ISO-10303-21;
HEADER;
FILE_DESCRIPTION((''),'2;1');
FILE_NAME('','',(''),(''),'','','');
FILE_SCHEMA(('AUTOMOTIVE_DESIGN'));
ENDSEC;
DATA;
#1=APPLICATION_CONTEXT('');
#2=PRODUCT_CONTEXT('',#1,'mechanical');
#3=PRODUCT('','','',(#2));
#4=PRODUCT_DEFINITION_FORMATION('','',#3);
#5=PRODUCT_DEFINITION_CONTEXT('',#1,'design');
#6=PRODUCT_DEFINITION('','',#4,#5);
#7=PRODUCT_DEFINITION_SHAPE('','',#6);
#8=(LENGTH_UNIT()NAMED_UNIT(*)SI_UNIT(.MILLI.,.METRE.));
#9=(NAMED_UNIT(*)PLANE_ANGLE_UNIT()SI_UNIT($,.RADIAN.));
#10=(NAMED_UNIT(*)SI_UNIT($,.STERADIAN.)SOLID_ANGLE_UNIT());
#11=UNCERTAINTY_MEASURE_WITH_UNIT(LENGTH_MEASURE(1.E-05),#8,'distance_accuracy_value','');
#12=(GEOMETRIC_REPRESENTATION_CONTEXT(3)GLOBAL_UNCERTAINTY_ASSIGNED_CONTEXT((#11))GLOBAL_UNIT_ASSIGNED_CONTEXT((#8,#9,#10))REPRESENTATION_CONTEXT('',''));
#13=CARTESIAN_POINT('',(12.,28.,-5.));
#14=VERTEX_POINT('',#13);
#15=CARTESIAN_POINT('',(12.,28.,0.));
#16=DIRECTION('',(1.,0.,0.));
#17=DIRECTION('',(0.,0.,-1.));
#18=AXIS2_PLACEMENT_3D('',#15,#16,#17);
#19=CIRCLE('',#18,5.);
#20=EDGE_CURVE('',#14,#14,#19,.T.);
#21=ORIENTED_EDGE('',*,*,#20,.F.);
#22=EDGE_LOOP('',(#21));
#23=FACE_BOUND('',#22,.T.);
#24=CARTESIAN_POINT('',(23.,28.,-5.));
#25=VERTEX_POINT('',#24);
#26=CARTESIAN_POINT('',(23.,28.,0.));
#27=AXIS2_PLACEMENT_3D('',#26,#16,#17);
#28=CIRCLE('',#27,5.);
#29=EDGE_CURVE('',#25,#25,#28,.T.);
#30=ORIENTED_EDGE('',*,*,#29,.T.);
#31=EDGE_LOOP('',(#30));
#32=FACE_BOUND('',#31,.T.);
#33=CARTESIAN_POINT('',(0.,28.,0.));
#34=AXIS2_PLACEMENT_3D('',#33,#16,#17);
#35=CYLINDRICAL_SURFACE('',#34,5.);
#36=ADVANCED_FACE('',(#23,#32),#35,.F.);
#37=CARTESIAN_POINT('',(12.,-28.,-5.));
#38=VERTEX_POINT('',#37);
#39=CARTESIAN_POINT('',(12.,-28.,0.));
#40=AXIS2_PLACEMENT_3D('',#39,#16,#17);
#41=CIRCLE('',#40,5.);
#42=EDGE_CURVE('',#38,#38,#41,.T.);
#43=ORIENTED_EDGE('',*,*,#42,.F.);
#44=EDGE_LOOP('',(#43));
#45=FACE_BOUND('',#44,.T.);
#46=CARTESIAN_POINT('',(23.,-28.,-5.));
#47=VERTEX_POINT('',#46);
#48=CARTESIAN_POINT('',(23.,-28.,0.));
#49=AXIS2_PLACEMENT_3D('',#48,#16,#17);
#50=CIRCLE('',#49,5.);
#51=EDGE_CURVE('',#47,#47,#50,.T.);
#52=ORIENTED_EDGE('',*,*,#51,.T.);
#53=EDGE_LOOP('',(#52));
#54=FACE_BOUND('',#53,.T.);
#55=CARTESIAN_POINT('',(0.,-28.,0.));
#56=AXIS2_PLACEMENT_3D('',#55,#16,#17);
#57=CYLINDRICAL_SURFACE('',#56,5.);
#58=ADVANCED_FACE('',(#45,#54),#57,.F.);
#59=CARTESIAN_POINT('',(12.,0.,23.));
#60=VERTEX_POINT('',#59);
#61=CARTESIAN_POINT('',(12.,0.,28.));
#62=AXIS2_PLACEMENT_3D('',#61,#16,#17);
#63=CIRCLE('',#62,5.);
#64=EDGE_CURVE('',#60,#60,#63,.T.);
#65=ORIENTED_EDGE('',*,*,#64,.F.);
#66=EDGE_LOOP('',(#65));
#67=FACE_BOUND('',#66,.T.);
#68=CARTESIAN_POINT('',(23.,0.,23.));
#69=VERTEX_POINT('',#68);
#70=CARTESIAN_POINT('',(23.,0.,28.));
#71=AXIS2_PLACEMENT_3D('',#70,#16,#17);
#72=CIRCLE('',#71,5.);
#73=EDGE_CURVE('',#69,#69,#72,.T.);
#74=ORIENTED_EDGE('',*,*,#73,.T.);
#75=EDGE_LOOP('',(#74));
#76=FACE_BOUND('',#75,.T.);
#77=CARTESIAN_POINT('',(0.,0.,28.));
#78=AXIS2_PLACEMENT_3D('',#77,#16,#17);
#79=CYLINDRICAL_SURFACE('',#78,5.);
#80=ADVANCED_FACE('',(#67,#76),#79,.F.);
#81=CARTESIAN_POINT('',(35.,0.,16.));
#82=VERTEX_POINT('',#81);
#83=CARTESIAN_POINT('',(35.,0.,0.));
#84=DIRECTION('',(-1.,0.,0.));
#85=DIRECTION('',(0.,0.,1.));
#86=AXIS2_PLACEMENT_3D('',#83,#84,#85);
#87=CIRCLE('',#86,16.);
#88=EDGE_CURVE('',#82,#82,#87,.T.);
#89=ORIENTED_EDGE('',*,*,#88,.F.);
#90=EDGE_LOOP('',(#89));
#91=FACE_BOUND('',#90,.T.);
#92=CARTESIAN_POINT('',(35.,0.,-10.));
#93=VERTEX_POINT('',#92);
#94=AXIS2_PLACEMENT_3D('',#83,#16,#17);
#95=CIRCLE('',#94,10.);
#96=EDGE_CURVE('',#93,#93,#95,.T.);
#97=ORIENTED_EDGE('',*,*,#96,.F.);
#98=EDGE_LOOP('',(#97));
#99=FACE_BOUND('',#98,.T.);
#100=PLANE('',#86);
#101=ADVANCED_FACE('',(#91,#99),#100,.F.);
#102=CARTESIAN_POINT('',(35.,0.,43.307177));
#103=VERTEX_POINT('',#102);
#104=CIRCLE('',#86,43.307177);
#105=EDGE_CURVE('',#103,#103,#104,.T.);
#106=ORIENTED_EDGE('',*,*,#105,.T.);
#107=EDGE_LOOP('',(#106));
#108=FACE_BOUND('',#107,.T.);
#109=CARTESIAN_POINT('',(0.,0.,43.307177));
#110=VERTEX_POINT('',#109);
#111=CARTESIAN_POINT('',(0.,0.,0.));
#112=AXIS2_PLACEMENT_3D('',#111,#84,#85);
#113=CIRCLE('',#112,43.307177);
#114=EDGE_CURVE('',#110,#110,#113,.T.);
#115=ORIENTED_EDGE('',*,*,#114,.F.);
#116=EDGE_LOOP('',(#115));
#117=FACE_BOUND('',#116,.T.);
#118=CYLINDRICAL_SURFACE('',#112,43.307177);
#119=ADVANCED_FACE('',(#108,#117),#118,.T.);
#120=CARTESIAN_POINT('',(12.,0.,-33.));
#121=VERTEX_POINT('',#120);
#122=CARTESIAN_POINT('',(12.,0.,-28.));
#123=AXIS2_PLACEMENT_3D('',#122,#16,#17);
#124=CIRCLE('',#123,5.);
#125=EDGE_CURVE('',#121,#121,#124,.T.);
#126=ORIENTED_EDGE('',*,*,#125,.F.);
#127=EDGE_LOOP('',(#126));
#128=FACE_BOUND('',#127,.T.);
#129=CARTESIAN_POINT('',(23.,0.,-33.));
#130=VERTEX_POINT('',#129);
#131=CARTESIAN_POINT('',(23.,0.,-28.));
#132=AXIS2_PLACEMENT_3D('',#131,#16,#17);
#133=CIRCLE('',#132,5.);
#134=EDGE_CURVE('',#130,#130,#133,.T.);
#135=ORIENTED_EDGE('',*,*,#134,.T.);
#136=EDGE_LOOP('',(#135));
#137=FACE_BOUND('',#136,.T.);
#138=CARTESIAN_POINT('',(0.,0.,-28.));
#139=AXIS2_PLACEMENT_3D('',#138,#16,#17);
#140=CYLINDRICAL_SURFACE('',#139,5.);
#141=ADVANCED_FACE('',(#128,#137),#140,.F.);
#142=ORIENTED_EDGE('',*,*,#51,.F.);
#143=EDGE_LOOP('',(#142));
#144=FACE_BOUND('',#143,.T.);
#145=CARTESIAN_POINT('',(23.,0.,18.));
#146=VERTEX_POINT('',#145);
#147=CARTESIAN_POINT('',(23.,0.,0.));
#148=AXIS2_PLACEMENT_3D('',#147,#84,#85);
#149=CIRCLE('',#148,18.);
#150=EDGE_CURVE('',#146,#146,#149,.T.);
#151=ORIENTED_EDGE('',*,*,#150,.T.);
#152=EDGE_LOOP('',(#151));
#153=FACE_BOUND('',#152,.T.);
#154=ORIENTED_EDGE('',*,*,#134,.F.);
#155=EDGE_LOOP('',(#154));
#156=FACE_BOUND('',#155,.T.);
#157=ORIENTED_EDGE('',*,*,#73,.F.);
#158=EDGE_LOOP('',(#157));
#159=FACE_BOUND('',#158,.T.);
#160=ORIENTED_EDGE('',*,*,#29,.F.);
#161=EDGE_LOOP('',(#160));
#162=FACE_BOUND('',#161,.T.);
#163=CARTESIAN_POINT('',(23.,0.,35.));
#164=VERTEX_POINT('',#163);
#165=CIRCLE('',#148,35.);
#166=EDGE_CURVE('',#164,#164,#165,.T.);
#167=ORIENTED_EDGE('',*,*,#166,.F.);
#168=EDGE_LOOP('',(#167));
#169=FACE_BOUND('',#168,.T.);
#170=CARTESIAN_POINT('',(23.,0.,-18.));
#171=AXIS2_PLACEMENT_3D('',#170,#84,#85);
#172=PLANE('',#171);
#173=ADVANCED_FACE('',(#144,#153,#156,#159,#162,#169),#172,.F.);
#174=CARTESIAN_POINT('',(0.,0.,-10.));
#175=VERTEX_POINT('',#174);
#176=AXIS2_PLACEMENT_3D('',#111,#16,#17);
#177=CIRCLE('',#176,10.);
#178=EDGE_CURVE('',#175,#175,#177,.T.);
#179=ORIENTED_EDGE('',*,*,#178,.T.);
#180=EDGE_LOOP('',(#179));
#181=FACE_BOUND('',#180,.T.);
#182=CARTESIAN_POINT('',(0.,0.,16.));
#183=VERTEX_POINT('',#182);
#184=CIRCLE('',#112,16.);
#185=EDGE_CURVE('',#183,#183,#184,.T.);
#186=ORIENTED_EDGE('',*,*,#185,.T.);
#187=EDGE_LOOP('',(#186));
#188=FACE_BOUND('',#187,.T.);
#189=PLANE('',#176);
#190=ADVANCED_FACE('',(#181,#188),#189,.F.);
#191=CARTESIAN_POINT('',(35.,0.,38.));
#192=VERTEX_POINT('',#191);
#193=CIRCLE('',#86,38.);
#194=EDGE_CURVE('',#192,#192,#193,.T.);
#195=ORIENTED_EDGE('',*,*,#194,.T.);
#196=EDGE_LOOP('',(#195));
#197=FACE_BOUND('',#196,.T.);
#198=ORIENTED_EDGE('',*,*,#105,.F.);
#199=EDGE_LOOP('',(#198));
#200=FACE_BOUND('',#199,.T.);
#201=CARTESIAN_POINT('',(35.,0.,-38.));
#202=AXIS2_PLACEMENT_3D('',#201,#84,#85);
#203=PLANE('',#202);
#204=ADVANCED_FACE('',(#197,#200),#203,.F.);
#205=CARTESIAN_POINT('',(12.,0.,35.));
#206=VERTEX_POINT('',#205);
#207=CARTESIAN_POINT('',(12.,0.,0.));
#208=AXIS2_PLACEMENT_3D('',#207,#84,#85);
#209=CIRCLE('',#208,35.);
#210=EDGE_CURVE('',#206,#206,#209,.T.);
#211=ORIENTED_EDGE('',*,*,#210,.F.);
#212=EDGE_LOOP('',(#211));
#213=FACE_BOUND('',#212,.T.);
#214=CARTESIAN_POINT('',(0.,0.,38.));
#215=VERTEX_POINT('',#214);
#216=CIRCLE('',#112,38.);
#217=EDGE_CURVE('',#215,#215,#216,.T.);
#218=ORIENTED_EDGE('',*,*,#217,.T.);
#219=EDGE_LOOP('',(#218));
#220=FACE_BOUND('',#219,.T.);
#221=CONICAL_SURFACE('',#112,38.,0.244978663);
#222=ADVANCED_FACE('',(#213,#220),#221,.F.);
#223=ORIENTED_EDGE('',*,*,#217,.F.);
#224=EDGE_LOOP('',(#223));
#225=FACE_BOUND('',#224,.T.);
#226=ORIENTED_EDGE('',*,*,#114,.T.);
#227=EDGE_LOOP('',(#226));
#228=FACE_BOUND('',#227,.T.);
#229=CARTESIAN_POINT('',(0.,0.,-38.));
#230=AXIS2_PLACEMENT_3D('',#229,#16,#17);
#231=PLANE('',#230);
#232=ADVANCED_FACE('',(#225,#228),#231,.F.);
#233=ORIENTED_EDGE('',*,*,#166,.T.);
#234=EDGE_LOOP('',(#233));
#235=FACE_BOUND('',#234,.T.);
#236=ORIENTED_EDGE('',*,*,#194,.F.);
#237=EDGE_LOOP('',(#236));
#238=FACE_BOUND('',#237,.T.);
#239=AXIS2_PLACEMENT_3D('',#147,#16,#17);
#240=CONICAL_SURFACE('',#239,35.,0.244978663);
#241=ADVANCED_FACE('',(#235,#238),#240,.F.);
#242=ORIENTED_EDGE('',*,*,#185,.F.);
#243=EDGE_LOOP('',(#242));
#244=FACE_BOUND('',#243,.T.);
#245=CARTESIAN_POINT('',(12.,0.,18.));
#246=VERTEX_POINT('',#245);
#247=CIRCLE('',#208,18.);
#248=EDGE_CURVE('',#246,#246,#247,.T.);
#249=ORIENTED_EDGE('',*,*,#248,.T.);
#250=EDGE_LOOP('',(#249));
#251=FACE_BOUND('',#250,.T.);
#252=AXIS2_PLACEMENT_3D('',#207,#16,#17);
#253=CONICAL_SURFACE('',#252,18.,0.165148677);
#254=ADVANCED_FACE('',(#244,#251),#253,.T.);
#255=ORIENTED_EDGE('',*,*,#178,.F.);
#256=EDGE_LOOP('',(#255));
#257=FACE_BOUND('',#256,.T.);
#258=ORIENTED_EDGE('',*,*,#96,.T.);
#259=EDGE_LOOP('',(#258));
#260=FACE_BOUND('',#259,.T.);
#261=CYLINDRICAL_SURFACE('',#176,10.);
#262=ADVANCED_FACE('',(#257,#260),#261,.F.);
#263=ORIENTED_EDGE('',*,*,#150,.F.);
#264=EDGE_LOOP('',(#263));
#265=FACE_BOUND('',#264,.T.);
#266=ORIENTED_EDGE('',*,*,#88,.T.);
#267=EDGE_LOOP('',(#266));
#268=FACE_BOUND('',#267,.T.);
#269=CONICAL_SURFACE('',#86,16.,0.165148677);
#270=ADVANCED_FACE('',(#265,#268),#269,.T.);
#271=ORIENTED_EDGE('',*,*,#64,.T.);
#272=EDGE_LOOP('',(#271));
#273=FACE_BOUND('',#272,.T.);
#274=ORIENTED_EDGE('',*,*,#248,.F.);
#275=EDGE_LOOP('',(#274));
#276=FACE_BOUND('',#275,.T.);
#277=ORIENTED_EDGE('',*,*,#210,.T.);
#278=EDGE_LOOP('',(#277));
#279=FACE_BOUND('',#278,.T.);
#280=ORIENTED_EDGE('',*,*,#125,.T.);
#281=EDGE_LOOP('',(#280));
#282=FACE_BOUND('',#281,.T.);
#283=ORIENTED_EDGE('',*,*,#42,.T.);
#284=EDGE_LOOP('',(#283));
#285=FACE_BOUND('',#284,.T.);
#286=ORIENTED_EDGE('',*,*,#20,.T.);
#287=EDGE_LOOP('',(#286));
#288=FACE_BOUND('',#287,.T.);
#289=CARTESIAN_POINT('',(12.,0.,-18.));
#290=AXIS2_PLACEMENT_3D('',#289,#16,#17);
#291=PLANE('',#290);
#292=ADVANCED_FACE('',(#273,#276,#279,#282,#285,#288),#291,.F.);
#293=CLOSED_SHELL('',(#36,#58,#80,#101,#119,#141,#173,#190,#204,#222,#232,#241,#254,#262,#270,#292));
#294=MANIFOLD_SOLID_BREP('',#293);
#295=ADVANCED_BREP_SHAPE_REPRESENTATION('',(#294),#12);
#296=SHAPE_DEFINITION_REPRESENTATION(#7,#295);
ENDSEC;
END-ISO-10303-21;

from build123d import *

# Parameters (mm, degrees)
SKETCH2_R          = 5
CUT_EXTRUDE1_DEPTH = 66.421885576
SKETCH3_R          = 10
CUT_EXTRUDE2_DEPTH = 71.540932177


with BuildPart() as part:
    # Sketch1 → Revolve1 (revolve)
    with BuildSketch(Plane(origin=(0, 0, 0), x_dir=(1, 0, 0), z_dir=(0, 1, 0)), mode=Mode.PRIVATE) as revolve1_sk:
        Polygon((0, 0), (0, 16), (12, 18), (12, 35), (0, 38), (0, 43.307176728), (35, 43.307176728), (35, 38), (23, 35), (23, 18), (35, 16), (35, 0), align=None)
    revolve(revolve1_sk.sketch.rotate(Axis((0, 0, 0), (1, 0, 0)), 180), axis=Axis((0, 0, 0), (1, 0, 0)))

    # Sketch2 → Cut-Extrude1 (cut, through all)
    with BuildSketch(Plane(origin=(23, 0, 0), x_dir=(0, 0, -1), z_dir=(1, 0, 0))):
        with Locations((0, 28)):
            Circle(SKETCH2_R)
        with Locations((28, 0)):
            Circle(SKETCH2_R)
        with Locations((0, -28)):
            Circle(SKETCH2_R)
        with Locations((-28, 0)):
            Circle(SKETCH2_R)
    extrude(amount=-CUT_EXTRUDE1_DEPTH, mode=Mode.SUBTRACT)

    # Sketch3 → Cut-Extrude2 (cut, through all)
    with BuildSketch(Plane(origin=(35, 0, 0), x_dir=(0, 0, -1), z_dir=(1, 0, 0))):
        Circle(SKETCH3_R)
    extrude(amount=-CUT_EXTRUDE2_DEPTH, mode=Mode.SUBTRACT)


solid = part.part
